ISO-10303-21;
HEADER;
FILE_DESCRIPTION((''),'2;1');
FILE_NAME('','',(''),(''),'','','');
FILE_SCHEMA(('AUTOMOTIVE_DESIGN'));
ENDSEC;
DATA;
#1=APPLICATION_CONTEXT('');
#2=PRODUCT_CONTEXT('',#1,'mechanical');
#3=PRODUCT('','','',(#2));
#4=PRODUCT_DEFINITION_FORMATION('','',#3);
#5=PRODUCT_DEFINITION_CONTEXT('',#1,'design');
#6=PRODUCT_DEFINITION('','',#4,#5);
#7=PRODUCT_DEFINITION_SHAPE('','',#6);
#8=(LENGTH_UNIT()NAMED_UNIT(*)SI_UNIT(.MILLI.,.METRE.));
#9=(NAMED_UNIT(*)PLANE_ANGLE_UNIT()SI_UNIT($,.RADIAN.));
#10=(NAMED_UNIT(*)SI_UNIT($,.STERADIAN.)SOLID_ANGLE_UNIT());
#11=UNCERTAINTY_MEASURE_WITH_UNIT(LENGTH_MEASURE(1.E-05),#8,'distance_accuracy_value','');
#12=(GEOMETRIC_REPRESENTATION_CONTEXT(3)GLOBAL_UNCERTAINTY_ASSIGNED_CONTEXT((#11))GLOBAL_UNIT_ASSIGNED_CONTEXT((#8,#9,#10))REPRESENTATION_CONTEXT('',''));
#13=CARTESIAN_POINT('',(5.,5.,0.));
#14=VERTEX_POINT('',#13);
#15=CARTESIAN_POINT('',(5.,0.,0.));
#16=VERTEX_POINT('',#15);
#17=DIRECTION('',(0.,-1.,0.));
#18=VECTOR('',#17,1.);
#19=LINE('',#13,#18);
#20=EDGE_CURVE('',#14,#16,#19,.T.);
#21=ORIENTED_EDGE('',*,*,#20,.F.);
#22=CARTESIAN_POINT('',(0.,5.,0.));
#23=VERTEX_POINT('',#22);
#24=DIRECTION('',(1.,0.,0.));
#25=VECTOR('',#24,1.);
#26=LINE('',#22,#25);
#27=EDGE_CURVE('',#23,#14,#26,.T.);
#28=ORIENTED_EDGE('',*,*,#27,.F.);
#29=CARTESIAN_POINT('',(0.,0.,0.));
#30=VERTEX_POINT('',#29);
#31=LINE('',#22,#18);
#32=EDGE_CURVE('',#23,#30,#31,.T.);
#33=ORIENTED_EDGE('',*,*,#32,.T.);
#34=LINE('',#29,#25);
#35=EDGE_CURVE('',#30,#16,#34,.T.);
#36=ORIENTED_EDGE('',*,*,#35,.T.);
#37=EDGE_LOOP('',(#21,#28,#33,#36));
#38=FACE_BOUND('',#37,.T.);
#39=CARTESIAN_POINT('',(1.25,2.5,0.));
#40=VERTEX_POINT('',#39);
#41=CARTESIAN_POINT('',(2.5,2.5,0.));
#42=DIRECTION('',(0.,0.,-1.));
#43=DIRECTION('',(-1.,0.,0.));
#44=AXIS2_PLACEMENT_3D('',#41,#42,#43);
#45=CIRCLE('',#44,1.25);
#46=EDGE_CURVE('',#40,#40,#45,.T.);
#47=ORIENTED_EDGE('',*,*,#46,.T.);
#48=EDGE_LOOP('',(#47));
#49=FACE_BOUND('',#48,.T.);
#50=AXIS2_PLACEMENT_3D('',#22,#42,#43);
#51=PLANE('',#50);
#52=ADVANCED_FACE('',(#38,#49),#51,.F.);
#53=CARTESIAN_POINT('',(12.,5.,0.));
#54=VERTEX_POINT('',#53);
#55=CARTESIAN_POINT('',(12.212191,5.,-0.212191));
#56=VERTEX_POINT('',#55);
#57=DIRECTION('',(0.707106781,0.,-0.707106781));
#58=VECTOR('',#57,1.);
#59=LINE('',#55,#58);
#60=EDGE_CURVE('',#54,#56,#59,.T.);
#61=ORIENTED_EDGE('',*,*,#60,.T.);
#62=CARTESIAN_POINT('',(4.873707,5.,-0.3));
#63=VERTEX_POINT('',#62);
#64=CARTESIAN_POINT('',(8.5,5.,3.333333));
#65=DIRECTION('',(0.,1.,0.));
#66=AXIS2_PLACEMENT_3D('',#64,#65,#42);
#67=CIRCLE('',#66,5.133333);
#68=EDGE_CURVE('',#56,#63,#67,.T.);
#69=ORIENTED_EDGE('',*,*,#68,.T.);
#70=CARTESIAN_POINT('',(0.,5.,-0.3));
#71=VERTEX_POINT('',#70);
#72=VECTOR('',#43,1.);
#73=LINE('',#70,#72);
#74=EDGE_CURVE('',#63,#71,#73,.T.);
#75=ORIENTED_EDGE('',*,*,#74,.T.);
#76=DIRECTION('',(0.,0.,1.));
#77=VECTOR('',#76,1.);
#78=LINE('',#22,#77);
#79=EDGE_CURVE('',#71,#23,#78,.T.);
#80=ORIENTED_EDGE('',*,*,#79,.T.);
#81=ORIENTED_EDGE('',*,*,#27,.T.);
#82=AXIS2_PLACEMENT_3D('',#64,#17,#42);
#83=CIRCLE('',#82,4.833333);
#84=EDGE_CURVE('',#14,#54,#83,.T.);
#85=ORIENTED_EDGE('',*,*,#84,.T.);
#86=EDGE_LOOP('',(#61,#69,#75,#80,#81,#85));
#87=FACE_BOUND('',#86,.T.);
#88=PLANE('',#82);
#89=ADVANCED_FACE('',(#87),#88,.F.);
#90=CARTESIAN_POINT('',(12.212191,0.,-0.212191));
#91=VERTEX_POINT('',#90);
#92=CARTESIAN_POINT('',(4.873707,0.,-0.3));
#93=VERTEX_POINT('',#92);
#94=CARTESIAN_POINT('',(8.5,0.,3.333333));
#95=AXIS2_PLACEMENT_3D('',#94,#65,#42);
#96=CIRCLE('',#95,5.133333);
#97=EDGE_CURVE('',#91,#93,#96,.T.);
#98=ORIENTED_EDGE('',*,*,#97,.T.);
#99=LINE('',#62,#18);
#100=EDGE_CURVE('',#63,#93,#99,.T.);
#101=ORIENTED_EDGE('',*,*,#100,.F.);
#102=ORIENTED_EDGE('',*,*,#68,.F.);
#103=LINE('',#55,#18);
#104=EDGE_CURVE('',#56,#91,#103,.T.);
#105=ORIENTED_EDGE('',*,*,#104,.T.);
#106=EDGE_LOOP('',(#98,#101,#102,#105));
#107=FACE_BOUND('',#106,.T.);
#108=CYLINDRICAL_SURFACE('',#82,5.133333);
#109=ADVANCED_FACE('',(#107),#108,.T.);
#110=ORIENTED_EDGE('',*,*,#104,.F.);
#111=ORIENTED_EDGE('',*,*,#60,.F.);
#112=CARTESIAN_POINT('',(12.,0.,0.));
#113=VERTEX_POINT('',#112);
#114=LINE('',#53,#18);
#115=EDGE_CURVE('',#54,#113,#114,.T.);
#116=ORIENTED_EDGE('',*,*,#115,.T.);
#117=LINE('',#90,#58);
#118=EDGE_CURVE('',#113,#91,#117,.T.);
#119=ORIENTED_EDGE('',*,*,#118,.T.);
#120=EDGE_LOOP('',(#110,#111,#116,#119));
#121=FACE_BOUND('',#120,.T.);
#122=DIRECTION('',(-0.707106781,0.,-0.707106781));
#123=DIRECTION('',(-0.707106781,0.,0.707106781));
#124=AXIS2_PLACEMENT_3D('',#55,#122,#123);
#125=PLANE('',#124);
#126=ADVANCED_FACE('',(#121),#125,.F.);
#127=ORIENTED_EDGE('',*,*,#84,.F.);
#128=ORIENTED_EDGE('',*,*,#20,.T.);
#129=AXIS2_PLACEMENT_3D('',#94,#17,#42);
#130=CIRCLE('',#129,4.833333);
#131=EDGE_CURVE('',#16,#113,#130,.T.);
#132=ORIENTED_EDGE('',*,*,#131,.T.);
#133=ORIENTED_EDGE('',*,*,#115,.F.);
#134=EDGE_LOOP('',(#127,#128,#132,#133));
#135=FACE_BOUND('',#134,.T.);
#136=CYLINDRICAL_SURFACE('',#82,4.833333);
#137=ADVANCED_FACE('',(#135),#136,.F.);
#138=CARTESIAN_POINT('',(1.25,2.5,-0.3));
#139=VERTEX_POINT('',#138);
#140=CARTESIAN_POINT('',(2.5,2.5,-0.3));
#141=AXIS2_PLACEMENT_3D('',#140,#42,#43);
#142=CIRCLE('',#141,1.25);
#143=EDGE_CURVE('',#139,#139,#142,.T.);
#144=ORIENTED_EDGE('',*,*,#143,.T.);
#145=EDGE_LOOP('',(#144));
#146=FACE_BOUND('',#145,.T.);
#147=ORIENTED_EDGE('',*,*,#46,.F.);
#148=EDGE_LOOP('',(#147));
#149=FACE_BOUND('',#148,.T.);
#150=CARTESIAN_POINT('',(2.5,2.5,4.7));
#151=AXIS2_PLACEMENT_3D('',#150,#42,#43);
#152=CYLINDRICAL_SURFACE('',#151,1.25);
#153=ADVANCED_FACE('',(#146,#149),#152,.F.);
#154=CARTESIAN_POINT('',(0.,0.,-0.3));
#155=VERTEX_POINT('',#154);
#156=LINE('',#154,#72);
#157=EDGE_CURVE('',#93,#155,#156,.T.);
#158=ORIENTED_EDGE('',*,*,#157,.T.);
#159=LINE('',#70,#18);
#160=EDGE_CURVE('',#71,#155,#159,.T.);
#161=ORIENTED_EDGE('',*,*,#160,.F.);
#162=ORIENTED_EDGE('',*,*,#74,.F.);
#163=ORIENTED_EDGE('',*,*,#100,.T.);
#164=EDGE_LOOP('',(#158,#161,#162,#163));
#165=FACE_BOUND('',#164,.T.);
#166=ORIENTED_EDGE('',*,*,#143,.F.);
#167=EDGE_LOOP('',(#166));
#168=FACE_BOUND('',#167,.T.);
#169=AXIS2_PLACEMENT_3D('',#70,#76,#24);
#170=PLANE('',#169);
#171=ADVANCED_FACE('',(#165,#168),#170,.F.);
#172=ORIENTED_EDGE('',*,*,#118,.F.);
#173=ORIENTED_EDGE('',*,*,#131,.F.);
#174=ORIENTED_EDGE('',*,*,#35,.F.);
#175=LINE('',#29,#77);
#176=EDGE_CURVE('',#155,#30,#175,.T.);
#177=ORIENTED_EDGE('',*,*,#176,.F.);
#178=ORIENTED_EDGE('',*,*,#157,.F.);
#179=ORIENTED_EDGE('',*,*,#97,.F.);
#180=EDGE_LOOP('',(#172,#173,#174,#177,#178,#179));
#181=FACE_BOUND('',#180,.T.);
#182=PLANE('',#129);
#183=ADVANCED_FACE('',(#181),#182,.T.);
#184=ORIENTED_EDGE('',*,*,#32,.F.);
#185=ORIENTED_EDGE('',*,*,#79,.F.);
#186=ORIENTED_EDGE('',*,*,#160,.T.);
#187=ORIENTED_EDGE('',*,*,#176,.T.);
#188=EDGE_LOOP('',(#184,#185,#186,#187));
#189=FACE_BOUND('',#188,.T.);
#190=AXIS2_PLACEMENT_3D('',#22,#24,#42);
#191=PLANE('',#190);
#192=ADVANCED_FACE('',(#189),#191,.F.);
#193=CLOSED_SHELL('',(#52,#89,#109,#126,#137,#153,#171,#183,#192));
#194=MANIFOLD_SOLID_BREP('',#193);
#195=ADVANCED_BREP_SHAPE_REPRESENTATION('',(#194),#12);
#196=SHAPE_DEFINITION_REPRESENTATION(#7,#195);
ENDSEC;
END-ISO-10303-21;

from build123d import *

# Parameters (mm, degrees)
EXTRUDE_1_DEPTH     = 5
SKETCH_2_R          = 1.25
CUT_EXTRUDE_1_DEPTH = 5


with BuildPart() as part:
    # 草图1 → 凸台-拉伸1 (new body)
    with BuildSketch(Plane(origin=(0, 0, 0), x_dir=(1, 0, 0), z_dir=(0, 1, 0))):
        with BuildLine():
            Line((0, 0), (5, 0))
            ThreePointArc((5, 0), (8.5, 1.5), (12, 0))
            Line((12, 0), (12.212191433, 0.212191433))
            ThreePointArc((12.212191433, 0.212191433), (8.561418456, 1.799632562), (4.873707127, 0.3))
            Line((4.873707127, 0.3), (0, 0.3))
            Line((0, 0.3), (0, 0))
        make_face()
    extrude(amount=EXTRUDE_1_DEPTH)

    # 草图2 → 切除-拉伸1 (cut)
    with BuildSketch(Plane(origin=(0, 0, -0.3), x_dir=(-1, 0, 0), z_dir=(0, 0, -1))):
        with Locations((-2.5, 2.5)):
            Circle(SKETCH_2_R)
    extrude(amount=-CUT_EXTRUDE_1_DEPTH, mode=Mode.SUBTRACT)


solid = part.part
